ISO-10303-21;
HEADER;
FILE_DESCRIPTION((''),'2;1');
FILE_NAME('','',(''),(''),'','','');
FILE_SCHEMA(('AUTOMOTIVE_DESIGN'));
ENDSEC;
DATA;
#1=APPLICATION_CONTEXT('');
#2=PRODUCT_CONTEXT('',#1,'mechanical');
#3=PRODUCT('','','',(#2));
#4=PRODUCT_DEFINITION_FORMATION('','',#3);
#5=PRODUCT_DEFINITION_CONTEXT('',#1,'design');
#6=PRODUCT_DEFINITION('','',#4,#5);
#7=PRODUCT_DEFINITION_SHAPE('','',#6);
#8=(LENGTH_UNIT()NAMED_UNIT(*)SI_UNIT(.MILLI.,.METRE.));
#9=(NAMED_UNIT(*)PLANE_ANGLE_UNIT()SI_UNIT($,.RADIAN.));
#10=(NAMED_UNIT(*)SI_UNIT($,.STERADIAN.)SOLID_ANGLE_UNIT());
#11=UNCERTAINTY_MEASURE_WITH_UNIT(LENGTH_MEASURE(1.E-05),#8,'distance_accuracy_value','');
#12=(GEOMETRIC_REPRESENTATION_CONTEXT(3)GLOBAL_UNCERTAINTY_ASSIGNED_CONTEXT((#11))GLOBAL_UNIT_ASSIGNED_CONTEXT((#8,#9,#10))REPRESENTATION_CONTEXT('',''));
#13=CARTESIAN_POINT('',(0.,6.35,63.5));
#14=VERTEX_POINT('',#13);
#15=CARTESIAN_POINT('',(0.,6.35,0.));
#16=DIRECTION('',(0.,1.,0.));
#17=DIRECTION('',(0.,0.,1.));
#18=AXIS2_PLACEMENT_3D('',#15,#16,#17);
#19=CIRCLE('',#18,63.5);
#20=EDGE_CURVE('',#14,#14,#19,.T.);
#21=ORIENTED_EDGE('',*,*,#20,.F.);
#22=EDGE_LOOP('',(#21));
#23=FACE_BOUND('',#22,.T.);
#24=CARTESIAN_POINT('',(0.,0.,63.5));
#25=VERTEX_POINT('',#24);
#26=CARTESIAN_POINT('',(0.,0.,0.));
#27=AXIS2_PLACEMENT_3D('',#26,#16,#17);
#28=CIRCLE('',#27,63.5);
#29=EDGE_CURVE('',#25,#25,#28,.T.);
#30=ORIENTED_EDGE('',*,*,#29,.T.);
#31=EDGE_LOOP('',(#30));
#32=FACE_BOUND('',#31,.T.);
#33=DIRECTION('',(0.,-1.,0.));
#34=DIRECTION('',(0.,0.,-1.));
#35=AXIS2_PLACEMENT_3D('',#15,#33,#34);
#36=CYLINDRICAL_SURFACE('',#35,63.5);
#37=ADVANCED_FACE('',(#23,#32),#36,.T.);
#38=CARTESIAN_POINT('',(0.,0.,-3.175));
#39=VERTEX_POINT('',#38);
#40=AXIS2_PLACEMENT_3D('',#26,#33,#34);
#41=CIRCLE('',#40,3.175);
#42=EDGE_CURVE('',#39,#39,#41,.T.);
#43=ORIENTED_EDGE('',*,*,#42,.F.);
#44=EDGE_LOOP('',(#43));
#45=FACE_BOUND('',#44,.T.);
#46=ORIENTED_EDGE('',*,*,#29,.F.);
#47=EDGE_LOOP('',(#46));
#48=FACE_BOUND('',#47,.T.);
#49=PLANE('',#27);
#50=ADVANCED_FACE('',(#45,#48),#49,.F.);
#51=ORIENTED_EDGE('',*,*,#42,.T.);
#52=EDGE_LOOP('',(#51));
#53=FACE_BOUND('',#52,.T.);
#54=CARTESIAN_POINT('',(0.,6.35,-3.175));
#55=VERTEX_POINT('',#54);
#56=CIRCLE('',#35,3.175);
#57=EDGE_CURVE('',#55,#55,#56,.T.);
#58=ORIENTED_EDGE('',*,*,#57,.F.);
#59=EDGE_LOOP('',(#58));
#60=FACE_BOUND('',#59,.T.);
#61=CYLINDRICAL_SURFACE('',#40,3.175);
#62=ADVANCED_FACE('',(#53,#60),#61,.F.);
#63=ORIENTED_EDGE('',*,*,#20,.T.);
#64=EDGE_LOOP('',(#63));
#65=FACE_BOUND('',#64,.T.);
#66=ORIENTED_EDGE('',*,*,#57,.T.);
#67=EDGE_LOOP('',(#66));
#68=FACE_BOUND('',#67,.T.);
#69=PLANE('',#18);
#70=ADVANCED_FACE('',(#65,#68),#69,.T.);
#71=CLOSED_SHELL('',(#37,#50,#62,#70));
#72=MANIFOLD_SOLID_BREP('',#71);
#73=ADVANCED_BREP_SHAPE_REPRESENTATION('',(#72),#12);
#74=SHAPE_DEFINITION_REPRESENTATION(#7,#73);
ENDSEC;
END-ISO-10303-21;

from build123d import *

# Parameters (mm, degrees)
SKETCH1_R                   = 63.5
BOSS_EXTRUDE1_DEPTH         = 6.35
F_1_4_0_25_DIAMETER_HOLE1_D = 6.35


with BuildPart() as part:
    # Sketch1 → Boss-Extrude1 (new body)
    with BuildSketch(Plane(origin=(0, 0, 0), x_dir=(1, 0, 0), z_dir=(0, 1, 0))):
        Circle(SKETCH1_R)
    extrude(amount=BOSS_EXTRUDE1_DEPTH)

    # 1/4 (0.25) Diameter Hole1 (through all)
    with Locations(Plane(origin=(0, 0, 0), x_dir=(-1, 0, 0), z_dir=(0, -1, 0))):
        with Locations((0, 0)):
            Hole(F_1_4_0_25_DIAMETER_HOLE1_D / 2)


solid = part.part
